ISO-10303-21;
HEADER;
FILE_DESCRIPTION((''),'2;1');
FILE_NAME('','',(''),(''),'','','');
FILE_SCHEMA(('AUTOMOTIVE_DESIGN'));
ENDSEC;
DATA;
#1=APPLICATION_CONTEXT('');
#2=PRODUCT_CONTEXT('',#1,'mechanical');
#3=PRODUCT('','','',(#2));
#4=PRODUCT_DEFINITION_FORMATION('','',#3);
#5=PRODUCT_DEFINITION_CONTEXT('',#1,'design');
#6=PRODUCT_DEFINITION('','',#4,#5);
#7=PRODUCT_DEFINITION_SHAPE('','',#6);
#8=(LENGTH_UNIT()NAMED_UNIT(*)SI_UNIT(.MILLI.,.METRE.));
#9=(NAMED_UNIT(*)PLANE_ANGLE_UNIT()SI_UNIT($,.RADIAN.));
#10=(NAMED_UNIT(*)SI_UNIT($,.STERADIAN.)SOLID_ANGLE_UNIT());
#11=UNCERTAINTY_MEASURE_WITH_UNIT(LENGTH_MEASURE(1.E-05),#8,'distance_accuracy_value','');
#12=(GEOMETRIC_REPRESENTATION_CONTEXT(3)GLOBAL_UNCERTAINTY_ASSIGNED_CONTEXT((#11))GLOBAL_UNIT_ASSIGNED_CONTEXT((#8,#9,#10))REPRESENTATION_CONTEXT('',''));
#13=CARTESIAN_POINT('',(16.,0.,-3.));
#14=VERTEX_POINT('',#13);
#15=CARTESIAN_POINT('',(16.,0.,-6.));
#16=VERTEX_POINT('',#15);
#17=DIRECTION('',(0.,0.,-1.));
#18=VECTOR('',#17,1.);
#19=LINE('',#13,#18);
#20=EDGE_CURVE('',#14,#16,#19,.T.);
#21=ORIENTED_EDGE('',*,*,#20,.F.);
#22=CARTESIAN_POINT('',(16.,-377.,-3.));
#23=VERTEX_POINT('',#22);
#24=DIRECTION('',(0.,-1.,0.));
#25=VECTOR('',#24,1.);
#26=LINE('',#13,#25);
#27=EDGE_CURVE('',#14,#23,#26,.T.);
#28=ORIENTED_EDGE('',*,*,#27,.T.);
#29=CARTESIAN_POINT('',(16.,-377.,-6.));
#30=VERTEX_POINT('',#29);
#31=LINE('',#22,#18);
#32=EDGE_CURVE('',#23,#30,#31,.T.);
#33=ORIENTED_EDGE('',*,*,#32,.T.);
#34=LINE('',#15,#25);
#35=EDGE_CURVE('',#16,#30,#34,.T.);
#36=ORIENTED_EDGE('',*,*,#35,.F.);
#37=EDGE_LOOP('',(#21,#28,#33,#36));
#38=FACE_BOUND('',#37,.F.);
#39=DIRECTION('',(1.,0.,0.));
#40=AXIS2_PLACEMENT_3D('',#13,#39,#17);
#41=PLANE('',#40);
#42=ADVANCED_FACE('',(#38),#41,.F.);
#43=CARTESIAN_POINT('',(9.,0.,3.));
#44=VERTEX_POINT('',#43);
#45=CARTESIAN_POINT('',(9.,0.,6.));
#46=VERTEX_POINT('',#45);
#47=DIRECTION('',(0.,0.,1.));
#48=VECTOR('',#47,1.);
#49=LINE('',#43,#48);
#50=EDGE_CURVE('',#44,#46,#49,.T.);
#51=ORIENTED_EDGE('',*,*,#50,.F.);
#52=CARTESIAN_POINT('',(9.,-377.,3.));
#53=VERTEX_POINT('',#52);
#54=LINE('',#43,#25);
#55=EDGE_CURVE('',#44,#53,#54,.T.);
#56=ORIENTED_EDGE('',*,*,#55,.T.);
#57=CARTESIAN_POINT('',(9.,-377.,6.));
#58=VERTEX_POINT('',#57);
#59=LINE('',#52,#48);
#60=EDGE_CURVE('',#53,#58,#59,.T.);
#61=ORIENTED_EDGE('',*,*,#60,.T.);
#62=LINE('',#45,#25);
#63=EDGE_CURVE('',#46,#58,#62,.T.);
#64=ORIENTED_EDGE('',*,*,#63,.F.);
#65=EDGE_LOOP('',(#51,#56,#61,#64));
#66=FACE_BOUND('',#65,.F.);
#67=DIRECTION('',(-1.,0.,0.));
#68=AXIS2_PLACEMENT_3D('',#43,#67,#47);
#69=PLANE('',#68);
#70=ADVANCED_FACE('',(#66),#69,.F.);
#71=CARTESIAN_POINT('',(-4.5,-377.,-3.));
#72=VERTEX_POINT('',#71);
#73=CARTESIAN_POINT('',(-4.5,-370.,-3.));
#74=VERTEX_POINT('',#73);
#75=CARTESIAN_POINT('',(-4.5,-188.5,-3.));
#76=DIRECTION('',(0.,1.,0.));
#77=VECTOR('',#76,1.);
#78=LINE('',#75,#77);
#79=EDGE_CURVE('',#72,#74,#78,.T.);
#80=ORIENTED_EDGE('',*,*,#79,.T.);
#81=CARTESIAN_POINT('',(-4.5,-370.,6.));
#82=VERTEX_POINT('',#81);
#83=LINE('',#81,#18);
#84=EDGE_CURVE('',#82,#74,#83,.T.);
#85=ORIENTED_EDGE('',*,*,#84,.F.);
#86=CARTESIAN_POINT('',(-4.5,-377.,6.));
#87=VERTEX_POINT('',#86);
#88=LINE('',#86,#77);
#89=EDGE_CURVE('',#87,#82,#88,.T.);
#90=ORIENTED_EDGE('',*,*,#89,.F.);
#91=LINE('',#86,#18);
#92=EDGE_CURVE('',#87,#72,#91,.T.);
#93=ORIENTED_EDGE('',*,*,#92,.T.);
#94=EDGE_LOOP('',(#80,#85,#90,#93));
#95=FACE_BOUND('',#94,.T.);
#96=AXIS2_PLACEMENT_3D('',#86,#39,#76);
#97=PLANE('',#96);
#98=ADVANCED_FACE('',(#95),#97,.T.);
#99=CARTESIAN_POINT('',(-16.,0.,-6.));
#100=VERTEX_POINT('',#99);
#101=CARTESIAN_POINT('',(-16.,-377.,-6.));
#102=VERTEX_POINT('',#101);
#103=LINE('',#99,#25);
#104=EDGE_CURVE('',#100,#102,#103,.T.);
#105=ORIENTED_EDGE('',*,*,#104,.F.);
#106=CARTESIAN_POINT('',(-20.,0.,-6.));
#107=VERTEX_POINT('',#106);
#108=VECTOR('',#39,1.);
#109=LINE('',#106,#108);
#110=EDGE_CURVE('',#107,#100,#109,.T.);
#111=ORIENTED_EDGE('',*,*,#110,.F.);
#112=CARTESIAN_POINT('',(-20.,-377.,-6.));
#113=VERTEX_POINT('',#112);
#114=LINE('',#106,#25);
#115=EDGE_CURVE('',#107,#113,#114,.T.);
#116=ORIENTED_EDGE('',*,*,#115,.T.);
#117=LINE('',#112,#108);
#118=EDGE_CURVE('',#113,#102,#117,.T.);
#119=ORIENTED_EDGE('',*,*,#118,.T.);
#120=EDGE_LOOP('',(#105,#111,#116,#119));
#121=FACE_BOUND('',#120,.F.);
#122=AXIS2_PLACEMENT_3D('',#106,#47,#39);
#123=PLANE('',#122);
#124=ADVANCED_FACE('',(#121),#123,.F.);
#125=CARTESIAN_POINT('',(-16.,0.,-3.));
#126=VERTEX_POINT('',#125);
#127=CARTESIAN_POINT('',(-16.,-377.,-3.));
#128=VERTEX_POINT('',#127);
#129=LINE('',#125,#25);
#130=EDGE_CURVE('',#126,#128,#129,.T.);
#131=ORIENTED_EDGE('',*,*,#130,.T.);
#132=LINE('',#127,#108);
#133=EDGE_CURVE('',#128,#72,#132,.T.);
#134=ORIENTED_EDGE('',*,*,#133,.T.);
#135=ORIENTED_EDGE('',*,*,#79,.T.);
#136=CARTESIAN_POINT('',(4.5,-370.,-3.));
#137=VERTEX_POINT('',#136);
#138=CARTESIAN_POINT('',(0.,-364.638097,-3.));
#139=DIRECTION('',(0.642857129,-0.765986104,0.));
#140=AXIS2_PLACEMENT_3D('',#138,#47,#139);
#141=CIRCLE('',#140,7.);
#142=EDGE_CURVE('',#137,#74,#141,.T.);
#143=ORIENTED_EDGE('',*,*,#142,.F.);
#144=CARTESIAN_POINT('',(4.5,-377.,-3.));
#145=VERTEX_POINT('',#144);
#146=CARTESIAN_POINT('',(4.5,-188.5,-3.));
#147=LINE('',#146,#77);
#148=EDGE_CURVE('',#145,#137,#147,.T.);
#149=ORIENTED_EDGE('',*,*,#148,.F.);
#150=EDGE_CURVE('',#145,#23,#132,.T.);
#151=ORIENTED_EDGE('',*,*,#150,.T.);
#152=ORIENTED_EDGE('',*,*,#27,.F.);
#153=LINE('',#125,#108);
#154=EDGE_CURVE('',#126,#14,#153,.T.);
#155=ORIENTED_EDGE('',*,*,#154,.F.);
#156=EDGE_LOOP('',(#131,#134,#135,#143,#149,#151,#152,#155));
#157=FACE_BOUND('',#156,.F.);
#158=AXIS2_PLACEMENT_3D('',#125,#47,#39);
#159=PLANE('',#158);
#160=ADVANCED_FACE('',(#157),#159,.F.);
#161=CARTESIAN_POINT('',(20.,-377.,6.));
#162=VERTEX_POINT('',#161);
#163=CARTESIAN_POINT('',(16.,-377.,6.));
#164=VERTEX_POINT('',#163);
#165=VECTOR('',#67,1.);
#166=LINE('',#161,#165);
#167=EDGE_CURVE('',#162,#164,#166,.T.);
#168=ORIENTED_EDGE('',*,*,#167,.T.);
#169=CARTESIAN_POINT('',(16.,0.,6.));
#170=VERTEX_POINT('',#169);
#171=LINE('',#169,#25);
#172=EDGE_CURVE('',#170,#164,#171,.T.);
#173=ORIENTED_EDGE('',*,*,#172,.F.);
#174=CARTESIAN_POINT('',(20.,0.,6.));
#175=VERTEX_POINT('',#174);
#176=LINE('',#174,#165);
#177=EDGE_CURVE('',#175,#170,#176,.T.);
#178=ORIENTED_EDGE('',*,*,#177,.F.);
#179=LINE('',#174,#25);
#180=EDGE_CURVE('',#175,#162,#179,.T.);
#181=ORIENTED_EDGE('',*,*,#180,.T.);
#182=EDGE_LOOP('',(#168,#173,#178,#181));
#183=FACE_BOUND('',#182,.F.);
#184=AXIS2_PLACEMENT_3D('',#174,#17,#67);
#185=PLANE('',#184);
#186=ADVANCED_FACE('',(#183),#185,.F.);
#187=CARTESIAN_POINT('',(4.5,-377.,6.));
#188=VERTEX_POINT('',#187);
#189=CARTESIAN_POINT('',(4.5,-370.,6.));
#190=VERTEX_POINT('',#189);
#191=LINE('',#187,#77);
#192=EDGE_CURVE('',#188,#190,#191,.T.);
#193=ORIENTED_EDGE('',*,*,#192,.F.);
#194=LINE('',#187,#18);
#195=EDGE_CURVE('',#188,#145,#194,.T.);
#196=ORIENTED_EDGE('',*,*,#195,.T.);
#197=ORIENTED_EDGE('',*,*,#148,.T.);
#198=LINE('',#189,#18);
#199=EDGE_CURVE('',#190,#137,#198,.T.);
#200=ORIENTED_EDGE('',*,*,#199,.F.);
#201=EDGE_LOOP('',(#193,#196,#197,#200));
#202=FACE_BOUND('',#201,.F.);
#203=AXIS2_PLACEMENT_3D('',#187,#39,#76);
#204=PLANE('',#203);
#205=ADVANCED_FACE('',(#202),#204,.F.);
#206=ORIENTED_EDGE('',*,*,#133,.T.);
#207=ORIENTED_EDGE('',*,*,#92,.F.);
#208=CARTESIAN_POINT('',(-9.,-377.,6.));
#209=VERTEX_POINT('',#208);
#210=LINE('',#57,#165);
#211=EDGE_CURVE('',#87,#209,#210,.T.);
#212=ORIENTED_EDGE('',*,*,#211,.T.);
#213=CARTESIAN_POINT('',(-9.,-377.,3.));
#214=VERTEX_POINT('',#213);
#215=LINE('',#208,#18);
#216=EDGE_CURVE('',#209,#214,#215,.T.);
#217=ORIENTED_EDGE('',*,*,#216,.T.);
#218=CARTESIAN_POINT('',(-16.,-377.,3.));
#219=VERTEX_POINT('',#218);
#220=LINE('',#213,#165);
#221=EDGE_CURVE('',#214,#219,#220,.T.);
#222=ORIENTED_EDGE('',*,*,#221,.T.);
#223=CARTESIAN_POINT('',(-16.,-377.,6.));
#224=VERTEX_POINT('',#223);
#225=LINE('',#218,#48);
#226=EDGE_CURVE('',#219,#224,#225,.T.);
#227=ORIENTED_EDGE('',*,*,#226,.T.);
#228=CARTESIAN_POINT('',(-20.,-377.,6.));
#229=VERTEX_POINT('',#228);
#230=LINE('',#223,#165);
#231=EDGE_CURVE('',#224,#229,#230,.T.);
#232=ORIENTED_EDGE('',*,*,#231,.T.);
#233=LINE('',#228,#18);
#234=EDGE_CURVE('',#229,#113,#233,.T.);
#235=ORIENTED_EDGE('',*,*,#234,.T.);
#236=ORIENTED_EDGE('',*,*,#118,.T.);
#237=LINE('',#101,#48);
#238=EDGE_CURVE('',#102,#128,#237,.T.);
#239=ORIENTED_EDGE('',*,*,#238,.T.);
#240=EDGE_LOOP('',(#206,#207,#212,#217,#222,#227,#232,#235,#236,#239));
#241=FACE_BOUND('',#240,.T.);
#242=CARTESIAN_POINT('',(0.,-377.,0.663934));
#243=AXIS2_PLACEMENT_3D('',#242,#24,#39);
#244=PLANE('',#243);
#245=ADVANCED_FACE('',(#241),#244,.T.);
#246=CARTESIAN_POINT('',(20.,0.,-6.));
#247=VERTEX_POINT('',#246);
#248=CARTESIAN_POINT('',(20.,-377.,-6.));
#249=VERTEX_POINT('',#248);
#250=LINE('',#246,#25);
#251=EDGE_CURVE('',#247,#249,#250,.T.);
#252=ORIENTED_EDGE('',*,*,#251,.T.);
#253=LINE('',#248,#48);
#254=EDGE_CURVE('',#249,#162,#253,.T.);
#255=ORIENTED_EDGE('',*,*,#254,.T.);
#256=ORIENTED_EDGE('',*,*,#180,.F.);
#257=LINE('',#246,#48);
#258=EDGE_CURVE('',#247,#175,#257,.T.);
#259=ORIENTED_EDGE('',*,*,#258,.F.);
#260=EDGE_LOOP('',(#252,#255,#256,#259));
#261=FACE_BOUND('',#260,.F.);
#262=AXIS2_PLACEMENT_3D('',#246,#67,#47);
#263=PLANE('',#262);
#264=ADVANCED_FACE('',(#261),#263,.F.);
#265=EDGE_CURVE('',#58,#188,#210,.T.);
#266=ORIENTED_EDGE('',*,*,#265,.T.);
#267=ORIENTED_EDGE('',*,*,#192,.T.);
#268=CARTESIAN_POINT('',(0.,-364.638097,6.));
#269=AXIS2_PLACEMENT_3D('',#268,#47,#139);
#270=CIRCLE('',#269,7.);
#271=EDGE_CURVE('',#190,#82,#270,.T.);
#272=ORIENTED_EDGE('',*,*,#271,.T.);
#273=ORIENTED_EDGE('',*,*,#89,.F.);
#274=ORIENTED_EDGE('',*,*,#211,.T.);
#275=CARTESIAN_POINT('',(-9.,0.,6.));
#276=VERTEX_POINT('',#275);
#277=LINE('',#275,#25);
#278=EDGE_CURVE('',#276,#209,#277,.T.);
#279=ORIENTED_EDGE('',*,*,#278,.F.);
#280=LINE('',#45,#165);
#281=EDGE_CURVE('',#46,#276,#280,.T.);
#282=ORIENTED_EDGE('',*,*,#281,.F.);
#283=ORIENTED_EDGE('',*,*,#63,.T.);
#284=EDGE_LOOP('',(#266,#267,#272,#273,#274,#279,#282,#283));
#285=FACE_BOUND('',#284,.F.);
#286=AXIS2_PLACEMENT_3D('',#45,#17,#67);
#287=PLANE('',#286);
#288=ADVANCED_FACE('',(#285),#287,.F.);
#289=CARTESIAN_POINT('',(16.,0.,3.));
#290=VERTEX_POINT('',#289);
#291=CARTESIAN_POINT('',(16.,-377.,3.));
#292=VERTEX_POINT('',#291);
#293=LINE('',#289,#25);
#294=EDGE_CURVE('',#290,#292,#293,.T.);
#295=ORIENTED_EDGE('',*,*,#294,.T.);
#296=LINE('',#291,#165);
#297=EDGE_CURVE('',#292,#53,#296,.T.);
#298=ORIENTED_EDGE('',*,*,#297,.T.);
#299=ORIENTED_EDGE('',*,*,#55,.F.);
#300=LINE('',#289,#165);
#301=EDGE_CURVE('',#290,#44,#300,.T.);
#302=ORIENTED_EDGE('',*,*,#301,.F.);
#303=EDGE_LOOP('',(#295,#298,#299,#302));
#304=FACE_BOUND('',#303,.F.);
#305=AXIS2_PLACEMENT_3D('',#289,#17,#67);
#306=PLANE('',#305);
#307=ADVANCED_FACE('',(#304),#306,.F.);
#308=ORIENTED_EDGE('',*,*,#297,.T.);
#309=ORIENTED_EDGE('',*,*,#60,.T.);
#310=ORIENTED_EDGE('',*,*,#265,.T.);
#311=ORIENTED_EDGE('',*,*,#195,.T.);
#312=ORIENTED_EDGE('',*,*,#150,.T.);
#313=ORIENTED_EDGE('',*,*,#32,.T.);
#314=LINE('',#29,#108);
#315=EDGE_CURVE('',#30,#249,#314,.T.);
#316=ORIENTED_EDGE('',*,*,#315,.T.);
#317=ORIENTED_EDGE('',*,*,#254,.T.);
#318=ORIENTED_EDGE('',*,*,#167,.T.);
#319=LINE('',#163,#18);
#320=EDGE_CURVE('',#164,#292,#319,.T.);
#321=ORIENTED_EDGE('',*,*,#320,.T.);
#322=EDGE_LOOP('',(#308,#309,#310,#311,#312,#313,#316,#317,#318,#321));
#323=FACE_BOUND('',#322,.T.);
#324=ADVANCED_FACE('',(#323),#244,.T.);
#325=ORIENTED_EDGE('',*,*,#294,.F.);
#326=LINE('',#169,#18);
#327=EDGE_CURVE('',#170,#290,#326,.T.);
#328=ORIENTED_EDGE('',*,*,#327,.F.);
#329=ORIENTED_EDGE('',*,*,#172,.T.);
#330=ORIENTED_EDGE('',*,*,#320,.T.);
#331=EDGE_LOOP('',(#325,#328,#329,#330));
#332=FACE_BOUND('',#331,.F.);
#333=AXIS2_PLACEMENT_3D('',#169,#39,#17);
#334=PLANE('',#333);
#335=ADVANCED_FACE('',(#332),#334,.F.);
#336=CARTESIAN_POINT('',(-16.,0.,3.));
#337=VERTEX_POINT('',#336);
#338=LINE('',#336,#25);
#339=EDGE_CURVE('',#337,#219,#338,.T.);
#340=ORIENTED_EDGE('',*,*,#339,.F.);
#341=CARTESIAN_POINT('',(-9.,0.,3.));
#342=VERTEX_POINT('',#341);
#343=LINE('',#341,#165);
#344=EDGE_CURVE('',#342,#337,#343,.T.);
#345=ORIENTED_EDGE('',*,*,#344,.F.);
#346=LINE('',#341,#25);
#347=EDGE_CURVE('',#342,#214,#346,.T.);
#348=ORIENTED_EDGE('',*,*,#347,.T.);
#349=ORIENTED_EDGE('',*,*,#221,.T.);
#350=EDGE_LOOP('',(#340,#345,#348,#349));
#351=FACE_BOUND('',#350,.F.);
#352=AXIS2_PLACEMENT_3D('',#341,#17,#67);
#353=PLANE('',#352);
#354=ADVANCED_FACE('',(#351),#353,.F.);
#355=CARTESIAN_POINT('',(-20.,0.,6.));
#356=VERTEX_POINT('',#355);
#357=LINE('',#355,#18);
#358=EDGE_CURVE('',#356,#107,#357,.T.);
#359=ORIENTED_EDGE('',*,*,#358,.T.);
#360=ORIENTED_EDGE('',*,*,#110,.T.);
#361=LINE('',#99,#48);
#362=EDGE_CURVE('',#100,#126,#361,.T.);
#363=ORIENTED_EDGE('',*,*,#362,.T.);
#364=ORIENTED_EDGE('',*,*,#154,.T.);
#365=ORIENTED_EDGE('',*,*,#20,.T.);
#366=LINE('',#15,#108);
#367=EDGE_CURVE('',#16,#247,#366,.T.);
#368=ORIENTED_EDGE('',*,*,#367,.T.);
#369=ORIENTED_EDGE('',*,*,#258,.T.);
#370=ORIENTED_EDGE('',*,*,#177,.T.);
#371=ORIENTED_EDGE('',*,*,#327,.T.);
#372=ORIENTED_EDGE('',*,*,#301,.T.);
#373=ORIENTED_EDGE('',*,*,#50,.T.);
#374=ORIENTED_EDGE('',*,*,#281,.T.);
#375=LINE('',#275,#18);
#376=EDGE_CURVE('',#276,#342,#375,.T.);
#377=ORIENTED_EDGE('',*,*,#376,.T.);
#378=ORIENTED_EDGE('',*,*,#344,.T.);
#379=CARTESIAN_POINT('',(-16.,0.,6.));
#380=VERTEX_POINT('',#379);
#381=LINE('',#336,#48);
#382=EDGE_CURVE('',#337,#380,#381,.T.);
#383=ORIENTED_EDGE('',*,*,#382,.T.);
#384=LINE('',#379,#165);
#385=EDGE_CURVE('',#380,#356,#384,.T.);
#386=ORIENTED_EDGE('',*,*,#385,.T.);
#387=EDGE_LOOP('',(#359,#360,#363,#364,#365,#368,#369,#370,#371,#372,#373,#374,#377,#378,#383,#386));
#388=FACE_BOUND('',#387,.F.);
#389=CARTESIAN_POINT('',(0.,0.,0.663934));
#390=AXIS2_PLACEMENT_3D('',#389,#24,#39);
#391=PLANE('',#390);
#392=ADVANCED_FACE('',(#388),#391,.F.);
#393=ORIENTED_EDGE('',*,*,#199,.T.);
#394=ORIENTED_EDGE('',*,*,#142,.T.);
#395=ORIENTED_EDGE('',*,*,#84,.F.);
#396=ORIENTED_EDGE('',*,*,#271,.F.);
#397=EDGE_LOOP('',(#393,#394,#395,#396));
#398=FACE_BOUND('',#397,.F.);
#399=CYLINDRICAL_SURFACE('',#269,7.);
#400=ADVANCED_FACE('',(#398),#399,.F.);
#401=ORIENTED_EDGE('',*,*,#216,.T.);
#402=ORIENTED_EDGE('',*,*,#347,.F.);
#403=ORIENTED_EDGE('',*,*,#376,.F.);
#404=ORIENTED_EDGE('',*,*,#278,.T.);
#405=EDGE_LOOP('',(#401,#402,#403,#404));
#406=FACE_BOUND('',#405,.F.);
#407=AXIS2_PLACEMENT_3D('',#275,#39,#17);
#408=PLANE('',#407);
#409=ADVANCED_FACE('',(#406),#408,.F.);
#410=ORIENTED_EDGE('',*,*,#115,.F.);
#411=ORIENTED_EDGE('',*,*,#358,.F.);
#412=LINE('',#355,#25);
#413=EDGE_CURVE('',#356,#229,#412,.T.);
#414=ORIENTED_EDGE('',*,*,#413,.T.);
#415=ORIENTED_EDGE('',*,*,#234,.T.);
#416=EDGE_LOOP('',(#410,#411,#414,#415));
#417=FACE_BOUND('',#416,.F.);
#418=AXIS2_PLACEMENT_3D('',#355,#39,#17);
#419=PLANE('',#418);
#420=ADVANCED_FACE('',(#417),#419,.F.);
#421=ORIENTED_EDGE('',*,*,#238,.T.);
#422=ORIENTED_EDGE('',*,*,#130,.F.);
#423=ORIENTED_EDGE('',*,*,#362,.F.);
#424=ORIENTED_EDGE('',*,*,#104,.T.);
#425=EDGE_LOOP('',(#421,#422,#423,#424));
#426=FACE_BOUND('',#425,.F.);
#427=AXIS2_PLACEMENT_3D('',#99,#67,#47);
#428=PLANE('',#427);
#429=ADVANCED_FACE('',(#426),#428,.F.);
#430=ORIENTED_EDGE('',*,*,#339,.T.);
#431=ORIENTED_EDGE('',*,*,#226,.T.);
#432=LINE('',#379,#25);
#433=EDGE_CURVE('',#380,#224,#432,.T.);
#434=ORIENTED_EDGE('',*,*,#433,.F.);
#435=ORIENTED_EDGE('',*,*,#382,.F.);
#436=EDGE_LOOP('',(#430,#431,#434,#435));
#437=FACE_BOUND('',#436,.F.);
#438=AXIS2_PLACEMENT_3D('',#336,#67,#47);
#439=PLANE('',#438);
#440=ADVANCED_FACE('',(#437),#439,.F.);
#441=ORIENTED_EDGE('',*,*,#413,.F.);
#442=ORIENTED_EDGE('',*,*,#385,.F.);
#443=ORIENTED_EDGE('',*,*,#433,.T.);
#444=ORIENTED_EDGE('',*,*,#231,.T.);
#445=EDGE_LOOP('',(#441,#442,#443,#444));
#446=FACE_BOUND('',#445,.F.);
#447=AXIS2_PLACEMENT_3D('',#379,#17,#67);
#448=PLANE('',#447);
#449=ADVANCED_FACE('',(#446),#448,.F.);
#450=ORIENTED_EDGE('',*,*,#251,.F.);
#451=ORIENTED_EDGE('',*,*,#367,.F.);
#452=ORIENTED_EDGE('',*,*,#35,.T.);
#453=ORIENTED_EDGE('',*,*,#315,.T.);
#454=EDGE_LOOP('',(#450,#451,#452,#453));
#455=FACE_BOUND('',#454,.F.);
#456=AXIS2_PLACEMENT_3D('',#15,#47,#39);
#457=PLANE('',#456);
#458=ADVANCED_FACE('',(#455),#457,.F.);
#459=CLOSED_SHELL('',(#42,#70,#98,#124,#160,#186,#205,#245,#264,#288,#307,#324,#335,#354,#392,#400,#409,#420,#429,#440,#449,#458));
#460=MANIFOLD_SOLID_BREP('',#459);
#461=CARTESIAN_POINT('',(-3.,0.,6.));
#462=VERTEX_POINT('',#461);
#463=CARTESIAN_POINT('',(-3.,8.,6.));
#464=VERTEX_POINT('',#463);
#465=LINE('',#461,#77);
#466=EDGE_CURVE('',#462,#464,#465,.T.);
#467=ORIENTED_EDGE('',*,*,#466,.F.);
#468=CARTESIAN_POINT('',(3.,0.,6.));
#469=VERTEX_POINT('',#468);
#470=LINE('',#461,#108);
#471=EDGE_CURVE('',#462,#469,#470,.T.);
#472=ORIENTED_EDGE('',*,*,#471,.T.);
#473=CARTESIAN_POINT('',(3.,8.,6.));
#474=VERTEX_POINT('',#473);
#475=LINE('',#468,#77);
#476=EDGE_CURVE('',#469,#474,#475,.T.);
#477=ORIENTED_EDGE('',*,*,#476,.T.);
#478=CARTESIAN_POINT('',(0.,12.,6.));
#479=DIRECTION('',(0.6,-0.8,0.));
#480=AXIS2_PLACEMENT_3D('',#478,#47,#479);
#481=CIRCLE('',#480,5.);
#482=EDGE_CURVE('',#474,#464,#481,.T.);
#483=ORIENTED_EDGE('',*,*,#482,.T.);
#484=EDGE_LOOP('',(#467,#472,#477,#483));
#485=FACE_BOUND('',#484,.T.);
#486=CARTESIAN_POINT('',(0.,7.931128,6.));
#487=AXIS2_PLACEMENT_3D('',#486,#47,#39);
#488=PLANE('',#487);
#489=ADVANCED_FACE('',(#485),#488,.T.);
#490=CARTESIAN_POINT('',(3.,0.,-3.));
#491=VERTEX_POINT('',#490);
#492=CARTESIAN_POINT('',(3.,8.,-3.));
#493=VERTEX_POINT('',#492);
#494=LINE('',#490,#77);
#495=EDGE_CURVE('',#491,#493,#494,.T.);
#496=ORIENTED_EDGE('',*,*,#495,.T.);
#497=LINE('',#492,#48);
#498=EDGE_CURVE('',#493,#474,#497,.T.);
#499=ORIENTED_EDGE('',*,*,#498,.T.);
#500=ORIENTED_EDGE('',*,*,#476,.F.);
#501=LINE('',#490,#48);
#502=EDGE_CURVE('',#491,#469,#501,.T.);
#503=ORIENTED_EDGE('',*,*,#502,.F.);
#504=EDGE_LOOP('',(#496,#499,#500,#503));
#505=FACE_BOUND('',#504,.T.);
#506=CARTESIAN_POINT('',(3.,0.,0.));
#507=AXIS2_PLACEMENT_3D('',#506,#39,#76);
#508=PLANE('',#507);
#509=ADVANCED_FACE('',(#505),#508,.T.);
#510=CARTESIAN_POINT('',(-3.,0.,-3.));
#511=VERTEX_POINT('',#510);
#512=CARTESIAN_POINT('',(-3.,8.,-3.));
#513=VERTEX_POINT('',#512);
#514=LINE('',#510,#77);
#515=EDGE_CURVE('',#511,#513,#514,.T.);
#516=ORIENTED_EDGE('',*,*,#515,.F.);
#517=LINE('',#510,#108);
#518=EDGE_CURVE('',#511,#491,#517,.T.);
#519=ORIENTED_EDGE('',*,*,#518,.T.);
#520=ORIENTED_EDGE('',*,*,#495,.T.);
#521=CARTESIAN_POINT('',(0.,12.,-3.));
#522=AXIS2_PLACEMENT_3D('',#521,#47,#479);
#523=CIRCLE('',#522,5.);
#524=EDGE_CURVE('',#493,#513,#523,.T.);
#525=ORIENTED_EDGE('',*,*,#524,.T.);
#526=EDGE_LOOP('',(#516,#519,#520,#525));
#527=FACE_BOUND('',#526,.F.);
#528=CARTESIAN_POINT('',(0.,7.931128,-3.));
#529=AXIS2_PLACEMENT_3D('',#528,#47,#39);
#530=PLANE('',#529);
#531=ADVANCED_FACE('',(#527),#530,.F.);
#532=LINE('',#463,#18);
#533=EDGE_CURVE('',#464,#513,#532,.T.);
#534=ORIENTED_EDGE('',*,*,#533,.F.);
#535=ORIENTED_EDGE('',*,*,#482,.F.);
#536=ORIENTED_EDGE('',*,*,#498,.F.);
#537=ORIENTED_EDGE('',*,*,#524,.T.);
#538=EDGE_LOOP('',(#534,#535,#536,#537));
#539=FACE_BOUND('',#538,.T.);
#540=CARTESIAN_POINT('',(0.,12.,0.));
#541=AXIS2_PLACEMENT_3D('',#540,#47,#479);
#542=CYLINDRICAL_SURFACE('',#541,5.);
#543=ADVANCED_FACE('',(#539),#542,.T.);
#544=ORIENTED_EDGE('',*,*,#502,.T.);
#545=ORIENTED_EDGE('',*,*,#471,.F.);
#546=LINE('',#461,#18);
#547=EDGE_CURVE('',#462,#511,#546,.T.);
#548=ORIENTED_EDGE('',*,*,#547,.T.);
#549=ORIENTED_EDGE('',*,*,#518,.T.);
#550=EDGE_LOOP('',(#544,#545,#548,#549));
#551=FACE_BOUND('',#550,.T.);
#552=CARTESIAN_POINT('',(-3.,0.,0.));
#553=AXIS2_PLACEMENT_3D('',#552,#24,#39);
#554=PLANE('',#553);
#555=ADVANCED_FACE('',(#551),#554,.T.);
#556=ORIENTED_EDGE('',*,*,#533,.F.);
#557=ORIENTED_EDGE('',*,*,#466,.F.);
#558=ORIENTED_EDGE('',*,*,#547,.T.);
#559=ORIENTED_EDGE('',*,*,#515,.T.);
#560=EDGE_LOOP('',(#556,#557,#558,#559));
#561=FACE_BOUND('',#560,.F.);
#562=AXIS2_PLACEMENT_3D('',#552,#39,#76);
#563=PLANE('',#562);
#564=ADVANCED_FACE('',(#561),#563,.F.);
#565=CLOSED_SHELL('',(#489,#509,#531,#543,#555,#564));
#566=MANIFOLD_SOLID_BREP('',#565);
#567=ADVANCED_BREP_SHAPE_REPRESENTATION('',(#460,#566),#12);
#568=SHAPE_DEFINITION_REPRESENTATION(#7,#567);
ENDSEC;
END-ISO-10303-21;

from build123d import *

# Parameters (mm, degrees)
PAD_DEPTH         = 377
POCKET_DEPTH      = 12.001
PAD001_DEPTH      = 6
PAD001_DEPTH_BACK = 3


with BuildPart() as body:
    # Sketch → Pad (new body)
    with BuildSketch(Plane.XZ):
        Polygon((-20, 6), (-20, -6), (-16, -6), (-16, -3), (-9, -3), (9, -3), (16, -3), (16, -6), (20, -6), (20, 6), (16, 6), (16, 3), (9, 3), (9, 6), (-9, 6), (-9, 3), (-16, 3), (-16, 6), align=None)
    extrude(amount=PAD_DEPTH)

    # Sketch002 (on Face14 of Pad) → Pocket (cut, through all)
    with BuildSketch(Plane(origin=(0, 0, 6), x_dir=(-1, 0, 0), z_dir=(0, 0, 1))):
        with BuildLine():
            Line((-4.5, 377), (4.5, 377))
            Line((4.5, 377), (4.5, 370))
            ThreePointArc((-4.5, 370), (0, 357.638097), (4.5, 370))
            Line((-4.5, 377), (-4.5, 370))
        make_face()
    extrude(amount=-POCKET_DEPTH, mode=Mode.SUBTRACT)


with BuildPart() as body001:
    # Sketch001 → Pad001 (new body, two sides)
    with BuildSketch(Plane.XY) as pad001_sk:
        with BuildLine():
            Line((-3, 0), (3, 0))
            Line((3, 0), (3, 8))
            ThreePointArc((3, 8), (0, 17), (-3, 8))
            Line((-3, 0), (-3, 8))
        make_face()
    extrude(amount=PAD001_DEPTH)
    extrude(pad001_sk.sketch, amount=-PAD001_DEPTH_BACK)


solid = Compound([body.part, body001.part])
